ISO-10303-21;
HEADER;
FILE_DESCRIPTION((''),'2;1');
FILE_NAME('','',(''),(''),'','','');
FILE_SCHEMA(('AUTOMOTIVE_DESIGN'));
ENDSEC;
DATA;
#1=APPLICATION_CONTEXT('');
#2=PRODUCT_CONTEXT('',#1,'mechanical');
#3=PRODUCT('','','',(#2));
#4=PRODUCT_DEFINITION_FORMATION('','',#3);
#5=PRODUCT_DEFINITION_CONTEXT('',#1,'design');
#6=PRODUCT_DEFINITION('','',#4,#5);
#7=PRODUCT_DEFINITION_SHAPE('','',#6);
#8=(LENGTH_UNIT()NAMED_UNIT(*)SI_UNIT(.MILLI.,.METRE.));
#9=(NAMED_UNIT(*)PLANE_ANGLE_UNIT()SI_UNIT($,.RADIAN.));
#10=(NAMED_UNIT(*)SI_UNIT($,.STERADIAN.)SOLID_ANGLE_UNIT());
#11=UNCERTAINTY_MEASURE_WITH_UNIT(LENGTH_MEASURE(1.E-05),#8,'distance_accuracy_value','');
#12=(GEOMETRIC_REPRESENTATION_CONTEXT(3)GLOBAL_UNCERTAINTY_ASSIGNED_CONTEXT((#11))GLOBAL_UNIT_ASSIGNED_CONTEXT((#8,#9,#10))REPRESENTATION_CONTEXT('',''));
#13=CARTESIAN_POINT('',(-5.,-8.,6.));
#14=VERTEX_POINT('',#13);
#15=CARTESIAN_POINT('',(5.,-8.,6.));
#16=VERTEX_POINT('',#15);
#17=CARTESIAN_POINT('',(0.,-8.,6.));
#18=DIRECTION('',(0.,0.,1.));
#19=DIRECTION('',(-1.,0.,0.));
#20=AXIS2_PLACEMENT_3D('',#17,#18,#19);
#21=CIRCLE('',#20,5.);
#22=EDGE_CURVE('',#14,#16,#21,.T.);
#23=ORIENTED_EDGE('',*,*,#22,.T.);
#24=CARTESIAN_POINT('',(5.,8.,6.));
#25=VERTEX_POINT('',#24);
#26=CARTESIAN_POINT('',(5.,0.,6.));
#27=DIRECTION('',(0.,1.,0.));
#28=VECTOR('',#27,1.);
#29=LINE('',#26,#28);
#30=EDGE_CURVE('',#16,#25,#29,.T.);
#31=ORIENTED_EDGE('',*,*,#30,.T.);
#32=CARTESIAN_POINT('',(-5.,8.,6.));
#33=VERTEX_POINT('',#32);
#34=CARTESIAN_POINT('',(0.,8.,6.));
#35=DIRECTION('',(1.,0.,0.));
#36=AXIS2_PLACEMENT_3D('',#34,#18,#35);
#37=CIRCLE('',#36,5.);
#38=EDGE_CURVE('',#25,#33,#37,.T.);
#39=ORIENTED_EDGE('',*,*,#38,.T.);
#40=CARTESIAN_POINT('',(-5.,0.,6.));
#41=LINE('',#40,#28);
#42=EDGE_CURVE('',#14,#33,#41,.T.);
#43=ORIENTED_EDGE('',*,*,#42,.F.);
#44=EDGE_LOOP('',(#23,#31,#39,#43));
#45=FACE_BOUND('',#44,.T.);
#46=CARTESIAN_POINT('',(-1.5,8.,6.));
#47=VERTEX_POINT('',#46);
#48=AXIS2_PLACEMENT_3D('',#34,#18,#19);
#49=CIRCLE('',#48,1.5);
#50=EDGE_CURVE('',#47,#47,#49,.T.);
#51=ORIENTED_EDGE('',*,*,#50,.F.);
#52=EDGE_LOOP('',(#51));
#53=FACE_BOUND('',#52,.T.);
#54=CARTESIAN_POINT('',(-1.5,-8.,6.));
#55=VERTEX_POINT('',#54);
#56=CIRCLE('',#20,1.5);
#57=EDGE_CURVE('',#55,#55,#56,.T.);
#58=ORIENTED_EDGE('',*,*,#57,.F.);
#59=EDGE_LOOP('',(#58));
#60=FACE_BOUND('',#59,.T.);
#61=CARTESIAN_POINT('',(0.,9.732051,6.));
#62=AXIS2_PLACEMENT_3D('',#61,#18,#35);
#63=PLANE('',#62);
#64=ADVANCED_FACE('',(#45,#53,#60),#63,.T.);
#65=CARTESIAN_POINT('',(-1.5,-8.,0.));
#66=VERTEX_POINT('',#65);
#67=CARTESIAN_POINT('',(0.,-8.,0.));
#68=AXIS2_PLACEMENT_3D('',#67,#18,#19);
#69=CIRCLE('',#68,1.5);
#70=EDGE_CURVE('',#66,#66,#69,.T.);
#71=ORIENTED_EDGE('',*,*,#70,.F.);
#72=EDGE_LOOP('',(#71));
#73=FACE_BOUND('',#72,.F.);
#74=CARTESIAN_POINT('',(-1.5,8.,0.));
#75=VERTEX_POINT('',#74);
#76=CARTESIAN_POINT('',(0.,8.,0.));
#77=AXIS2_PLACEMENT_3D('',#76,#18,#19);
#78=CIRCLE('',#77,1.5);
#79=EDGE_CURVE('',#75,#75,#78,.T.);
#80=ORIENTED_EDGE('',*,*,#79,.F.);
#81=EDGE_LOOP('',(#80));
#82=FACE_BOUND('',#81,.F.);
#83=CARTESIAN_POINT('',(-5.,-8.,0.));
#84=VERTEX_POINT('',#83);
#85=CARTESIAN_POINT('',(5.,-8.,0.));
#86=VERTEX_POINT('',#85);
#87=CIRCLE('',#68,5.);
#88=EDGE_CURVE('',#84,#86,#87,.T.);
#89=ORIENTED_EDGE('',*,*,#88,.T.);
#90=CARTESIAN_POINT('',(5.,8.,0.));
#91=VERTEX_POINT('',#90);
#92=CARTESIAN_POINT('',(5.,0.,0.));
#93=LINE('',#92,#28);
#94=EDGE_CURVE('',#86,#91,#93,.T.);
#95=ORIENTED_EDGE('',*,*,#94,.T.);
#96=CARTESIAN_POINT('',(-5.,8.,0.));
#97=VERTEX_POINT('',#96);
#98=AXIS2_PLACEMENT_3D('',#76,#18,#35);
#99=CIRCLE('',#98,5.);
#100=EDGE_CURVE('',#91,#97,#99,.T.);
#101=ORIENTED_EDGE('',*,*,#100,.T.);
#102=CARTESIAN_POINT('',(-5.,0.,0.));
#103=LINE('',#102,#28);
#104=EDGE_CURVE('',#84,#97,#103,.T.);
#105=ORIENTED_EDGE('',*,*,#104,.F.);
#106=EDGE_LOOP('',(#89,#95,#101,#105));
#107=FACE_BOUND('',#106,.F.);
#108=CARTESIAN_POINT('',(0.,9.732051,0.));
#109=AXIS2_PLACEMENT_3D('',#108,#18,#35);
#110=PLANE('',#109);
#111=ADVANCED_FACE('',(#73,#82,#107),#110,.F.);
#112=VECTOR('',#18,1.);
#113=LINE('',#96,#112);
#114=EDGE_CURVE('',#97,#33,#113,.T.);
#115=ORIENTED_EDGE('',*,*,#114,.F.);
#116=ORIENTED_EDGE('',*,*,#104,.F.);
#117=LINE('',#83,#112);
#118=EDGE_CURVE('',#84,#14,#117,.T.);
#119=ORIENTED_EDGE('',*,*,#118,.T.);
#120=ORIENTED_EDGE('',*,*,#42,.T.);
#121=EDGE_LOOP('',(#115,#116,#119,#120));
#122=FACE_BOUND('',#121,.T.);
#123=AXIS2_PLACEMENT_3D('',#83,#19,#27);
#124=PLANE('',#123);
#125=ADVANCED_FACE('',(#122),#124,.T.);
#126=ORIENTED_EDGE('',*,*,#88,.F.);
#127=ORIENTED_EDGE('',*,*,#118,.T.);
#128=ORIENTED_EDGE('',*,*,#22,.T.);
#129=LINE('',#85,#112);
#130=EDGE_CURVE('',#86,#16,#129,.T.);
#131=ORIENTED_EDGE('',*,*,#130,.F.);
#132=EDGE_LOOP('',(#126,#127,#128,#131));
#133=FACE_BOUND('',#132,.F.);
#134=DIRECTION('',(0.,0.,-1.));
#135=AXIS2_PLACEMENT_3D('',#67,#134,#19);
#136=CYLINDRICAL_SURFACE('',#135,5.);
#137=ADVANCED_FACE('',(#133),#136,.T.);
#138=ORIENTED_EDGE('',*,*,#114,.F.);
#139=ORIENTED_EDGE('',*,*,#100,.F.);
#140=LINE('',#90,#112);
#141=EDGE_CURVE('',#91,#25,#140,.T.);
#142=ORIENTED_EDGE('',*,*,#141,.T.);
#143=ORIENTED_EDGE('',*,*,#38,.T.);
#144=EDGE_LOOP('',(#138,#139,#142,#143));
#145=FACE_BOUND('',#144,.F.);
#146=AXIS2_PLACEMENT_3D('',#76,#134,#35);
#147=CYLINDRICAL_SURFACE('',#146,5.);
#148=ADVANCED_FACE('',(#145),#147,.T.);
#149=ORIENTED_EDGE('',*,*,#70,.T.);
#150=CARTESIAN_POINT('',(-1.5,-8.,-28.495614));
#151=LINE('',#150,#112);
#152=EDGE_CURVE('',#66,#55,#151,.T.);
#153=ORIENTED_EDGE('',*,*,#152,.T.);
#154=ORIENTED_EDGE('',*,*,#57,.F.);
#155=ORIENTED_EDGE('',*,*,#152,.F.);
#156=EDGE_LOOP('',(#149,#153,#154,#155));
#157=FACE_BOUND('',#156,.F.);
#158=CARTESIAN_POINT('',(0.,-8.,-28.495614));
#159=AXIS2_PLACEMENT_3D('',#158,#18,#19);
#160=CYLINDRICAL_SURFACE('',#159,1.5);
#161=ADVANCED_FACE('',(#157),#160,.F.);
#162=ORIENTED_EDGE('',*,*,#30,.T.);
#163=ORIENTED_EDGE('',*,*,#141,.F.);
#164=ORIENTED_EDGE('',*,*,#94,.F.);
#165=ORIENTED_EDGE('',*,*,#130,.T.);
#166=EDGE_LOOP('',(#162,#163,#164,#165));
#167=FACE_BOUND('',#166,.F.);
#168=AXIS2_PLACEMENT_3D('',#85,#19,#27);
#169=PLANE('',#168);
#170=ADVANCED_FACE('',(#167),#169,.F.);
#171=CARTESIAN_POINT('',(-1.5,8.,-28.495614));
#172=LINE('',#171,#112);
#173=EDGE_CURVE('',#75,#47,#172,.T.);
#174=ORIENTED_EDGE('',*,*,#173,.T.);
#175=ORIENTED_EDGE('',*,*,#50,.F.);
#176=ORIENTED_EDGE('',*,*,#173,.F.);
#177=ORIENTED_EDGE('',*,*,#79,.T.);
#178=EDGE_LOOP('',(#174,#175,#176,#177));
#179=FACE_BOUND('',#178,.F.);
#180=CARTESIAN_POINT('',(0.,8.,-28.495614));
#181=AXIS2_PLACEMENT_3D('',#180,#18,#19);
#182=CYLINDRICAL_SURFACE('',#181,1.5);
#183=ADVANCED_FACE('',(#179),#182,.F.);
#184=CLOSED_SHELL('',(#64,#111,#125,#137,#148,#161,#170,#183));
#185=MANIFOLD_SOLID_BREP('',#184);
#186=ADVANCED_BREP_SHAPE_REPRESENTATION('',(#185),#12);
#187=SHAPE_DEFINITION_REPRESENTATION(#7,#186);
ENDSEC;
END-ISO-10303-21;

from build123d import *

# Parameters (mm, degrees)
F0_W     = 10
F0_H     = 16
F1_DEPTH = 6
F2_D     = 3


with BuildPart() as f1:
    # F0 (on Top) → F1 (new body)
    with BuildSketch(Plane.XY):
        with BuildLine():
            ThreePointArc((5, 8), (0, 13), (-5, 8))
            Line((-5, 8), (5, 8))
        make_face()
        Rectangle(F0_W, F0_H)
        with BuildLine():
            Line((5, -8), (-5, -8))
            ThreePointArc((-5, -8), (0, -13), (5, -8))
        make_face()
    extrude(amount=F1_DEPTH)

    # F2 (through all)
    with Locations(Plane(origin=(0, 0, 0), x_dir=(1, 0, 0), z_dir=(0, 0, -1))):
        with Locations((0, 8), (0, -8)):
            Hole(F2_D / 2)


solid = f1.part
